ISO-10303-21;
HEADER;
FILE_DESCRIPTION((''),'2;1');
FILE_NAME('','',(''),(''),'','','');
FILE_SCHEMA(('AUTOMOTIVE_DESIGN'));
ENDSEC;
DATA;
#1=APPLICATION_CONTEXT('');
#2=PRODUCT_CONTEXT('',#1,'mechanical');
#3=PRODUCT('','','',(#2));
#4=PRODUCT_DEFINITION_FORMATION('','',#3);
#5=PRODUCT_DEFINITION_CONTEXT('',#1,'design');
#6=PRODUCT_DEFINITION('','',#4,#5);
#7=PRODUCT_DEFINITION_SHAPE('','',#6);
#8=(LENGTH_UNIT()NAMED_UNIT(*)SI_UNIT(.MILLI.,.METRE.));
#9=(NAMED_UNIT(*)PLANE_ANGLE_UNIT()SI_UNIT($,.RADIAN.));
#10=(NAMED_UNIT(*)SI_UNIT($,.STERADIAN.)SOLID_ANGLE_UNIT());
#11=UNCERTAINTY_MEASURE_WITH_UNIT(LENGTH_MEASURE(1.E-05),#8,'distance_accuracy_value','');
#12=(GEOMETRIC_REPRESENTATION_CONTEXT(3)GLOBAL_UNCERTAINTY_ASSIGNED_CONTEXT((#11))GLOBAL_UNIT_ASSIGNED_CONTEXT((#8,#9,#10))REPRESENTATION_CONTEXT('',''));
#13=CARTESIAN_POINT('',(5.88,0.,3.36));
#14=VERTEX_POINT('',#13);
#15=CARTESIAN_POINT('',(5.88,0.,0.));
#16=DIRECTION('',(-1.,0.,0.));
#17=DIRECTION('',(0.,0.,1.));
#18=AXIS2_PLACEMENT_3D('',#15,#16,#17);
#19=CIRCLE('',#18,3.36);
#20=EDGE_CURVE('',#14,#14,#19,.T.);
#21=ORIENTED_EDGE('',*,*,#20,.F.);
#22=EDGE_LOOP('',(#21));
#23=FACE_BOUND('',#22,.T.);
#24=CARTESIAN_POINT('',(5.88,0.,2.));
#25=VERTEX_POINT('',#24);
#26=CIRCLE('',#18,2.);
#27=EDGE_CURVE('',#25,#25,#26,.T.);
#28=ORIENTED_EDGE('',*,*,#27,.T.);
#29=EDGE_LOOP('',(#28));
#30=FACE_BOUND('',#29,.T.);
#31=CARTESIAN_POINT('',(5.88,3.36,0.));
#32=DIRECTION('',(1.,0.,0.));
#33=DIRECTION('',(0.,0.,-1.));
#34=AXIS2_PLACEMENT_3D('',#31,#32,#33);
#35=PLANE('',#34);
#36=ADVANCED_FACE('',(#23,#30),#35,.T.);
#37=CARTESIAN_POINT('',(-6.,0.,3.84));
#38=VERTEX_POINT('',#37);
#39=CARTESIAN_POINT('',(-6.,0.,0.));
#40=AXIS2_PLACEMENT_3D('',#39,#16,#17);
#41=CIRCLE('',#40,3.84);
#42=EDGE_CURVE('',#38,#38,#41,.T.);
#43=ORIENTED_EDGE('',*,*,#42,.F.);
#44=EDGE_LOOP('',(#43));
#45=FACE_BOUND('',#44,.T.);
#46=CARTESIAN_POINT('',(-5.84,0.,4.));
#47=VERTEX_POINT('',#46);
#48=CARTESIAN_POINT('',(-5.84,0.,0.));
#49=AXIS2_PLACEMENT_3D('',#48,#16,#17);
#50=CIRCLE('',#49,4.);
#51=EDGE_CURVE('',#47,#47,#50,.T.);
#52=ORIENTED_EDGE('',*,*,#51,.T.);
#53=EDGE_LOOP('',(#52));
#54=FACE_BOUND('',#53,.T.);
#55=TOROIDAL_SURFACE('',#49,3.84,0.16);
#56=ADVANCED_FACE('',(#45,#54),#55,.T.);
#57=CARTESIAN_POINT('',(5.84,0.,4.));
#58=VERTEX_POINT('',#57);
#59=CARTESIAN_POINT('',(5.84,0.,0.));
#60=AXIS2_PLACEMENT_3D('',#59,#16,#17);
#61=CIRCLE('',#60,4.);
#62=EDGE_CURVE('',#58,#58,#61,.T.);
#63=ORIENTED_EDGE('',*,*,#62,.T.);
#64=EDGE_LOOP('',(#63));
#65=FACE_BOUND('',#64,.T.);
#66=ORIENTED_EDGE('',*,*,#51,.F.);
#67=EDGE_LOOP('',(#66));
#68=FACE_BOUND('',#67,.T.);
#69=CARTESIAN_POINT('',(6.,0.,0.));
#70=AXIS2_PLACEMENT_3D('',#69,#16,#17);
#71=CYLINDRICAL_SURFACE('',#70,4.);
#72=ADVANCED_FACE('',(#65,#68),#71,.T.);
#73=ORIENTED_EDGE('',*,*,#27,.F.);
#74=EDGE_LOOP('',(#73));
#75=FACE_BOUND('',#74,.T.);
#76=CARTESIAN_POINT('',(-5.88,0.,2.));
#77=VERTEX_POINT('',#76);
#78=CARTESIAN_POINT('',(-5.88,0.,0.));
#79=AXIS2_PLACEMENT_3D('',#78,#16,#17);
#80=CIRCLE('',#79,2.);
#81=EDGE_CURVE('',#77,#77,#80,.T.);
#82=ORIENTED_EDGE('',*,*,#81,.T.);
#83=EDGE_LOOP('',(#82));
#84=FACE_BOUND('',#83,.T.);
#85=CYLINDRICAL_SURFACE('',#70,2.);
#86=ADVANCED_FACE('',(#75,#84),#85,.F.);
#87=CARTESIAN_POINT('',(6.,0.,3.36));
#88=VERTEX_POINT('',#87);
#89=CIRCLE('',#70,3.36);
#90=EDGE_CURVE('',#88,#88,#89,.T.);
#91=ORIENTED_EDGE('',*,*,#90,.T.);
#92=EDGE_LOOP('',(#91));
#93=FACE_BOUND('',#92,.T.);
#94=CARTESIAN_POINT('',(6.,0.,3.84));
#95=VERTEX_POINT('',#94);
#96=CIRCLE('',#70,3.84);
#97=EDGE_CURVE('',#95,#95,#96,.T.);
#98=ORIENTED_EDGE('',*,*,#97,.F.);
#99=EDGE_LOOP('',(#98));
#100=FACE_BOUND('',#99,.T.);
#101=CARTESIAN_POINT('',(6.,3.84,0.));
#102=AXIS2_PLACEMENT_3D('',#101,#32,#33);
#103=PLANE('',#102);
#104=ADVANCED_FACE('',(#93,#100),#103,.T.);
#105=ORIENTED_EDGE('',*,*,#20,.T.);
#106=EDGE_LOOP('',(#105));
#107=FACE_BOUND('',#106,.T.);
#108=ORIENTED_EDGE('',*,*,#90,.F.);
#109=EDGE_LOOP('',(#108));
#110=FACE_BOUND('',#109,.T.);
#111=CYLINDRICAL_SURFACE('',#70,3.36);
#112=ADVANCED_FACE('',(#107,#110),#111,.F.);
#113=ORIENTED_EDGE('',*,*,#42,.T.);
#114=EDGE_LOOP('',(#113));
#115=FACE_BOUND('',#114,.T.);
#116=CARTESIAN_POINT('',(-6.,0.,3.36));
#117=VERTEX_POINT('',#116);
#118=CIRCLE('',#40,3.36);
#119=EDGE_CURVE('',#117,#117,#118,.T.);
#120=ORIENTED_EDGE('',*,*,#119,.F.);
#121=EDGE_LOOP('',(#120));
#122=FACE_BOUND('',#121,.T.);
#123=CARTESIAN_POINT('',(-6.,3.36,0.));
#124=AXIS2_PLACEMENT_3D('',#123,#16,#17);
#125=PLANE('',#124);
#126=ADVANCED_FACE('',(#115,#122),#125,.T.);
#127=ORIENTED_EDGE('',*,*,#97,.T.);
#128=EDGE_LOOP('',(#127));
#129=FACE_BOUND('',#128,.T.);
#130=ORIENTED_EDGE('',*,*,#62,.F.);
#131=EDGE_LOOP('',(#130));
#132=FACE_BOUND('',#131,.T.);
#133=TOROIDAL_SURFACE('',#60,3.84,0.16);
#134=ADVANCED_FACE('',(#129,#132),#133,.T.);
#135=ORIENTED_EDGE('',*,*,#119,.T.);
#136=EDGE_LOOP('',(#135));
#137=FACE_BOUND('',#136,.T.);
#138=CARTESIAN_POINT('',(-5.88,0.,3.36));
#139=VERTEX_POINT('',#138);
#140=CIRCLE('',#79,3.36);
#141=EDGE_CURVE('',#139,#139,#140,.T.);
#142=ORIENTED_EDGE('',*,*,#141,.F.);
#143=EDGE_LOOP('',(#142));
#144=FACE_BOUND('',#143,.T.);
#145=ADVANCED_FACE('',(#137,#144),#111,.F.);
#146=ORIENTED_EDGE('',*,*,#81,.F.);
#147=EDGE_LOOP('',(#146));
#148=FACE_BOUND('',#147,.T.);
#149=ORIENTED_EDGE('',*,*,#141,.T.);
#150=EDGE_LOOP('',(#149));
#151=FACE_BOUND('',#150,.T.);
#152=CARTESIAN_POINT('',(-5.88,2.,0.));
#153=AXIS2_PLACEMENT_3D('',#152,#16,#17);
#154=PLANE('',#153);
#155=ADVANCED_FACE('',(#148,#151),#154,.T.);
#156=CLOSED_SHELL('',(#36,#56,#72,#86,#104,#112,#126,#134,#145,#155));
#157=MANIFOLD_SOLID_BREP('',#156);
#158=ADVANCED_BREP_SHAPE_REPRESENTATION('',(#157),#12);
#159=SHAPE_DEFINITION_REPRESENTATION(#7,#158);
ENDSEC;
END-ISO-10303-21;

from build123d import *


with BuildPart() as part:
    # Sketch1 → Revolve1 (revolve)
    with BuildSketch(Plane(origin=(0, 0, 0), x_dir=(-1, 0, 0), z_dir=(0, 0, -1)), mode=Mode.PRIVATE) as revolve1_sk:
        with BuildLine():
            Line((5.84, 4), (-5.84, 4))
            ThreePointArc((-5.84, 4), (-5.953137085, 3.953137085), (-6, 3.84))
            Line((-6, 3.84), (-6, 3.36))
            Line((-6, 3.36), (-5.88, 3.36))
            Line((-5.88, 3.36), (-5.88, 2))
            Line((-5.88, 2), (5.88, 2))
            Line((5.88, 2), (5.88, 3.36))
            Line((5.88, 3.36), (6, 3.36))
            Line((6, 3.36), (6, 3.84))
            ThreePointArc((6, 3.84), (5.953137085, 3.953137085), (5.84, 4))
        make_face()
    revolve(revolve1_sk.sketch.rotate(Axis((6, 0, 0), (-1, 0, 0)), 270), axis=Axis((6, 0, 0), (-1, 0, 0)))


solid = part.part
